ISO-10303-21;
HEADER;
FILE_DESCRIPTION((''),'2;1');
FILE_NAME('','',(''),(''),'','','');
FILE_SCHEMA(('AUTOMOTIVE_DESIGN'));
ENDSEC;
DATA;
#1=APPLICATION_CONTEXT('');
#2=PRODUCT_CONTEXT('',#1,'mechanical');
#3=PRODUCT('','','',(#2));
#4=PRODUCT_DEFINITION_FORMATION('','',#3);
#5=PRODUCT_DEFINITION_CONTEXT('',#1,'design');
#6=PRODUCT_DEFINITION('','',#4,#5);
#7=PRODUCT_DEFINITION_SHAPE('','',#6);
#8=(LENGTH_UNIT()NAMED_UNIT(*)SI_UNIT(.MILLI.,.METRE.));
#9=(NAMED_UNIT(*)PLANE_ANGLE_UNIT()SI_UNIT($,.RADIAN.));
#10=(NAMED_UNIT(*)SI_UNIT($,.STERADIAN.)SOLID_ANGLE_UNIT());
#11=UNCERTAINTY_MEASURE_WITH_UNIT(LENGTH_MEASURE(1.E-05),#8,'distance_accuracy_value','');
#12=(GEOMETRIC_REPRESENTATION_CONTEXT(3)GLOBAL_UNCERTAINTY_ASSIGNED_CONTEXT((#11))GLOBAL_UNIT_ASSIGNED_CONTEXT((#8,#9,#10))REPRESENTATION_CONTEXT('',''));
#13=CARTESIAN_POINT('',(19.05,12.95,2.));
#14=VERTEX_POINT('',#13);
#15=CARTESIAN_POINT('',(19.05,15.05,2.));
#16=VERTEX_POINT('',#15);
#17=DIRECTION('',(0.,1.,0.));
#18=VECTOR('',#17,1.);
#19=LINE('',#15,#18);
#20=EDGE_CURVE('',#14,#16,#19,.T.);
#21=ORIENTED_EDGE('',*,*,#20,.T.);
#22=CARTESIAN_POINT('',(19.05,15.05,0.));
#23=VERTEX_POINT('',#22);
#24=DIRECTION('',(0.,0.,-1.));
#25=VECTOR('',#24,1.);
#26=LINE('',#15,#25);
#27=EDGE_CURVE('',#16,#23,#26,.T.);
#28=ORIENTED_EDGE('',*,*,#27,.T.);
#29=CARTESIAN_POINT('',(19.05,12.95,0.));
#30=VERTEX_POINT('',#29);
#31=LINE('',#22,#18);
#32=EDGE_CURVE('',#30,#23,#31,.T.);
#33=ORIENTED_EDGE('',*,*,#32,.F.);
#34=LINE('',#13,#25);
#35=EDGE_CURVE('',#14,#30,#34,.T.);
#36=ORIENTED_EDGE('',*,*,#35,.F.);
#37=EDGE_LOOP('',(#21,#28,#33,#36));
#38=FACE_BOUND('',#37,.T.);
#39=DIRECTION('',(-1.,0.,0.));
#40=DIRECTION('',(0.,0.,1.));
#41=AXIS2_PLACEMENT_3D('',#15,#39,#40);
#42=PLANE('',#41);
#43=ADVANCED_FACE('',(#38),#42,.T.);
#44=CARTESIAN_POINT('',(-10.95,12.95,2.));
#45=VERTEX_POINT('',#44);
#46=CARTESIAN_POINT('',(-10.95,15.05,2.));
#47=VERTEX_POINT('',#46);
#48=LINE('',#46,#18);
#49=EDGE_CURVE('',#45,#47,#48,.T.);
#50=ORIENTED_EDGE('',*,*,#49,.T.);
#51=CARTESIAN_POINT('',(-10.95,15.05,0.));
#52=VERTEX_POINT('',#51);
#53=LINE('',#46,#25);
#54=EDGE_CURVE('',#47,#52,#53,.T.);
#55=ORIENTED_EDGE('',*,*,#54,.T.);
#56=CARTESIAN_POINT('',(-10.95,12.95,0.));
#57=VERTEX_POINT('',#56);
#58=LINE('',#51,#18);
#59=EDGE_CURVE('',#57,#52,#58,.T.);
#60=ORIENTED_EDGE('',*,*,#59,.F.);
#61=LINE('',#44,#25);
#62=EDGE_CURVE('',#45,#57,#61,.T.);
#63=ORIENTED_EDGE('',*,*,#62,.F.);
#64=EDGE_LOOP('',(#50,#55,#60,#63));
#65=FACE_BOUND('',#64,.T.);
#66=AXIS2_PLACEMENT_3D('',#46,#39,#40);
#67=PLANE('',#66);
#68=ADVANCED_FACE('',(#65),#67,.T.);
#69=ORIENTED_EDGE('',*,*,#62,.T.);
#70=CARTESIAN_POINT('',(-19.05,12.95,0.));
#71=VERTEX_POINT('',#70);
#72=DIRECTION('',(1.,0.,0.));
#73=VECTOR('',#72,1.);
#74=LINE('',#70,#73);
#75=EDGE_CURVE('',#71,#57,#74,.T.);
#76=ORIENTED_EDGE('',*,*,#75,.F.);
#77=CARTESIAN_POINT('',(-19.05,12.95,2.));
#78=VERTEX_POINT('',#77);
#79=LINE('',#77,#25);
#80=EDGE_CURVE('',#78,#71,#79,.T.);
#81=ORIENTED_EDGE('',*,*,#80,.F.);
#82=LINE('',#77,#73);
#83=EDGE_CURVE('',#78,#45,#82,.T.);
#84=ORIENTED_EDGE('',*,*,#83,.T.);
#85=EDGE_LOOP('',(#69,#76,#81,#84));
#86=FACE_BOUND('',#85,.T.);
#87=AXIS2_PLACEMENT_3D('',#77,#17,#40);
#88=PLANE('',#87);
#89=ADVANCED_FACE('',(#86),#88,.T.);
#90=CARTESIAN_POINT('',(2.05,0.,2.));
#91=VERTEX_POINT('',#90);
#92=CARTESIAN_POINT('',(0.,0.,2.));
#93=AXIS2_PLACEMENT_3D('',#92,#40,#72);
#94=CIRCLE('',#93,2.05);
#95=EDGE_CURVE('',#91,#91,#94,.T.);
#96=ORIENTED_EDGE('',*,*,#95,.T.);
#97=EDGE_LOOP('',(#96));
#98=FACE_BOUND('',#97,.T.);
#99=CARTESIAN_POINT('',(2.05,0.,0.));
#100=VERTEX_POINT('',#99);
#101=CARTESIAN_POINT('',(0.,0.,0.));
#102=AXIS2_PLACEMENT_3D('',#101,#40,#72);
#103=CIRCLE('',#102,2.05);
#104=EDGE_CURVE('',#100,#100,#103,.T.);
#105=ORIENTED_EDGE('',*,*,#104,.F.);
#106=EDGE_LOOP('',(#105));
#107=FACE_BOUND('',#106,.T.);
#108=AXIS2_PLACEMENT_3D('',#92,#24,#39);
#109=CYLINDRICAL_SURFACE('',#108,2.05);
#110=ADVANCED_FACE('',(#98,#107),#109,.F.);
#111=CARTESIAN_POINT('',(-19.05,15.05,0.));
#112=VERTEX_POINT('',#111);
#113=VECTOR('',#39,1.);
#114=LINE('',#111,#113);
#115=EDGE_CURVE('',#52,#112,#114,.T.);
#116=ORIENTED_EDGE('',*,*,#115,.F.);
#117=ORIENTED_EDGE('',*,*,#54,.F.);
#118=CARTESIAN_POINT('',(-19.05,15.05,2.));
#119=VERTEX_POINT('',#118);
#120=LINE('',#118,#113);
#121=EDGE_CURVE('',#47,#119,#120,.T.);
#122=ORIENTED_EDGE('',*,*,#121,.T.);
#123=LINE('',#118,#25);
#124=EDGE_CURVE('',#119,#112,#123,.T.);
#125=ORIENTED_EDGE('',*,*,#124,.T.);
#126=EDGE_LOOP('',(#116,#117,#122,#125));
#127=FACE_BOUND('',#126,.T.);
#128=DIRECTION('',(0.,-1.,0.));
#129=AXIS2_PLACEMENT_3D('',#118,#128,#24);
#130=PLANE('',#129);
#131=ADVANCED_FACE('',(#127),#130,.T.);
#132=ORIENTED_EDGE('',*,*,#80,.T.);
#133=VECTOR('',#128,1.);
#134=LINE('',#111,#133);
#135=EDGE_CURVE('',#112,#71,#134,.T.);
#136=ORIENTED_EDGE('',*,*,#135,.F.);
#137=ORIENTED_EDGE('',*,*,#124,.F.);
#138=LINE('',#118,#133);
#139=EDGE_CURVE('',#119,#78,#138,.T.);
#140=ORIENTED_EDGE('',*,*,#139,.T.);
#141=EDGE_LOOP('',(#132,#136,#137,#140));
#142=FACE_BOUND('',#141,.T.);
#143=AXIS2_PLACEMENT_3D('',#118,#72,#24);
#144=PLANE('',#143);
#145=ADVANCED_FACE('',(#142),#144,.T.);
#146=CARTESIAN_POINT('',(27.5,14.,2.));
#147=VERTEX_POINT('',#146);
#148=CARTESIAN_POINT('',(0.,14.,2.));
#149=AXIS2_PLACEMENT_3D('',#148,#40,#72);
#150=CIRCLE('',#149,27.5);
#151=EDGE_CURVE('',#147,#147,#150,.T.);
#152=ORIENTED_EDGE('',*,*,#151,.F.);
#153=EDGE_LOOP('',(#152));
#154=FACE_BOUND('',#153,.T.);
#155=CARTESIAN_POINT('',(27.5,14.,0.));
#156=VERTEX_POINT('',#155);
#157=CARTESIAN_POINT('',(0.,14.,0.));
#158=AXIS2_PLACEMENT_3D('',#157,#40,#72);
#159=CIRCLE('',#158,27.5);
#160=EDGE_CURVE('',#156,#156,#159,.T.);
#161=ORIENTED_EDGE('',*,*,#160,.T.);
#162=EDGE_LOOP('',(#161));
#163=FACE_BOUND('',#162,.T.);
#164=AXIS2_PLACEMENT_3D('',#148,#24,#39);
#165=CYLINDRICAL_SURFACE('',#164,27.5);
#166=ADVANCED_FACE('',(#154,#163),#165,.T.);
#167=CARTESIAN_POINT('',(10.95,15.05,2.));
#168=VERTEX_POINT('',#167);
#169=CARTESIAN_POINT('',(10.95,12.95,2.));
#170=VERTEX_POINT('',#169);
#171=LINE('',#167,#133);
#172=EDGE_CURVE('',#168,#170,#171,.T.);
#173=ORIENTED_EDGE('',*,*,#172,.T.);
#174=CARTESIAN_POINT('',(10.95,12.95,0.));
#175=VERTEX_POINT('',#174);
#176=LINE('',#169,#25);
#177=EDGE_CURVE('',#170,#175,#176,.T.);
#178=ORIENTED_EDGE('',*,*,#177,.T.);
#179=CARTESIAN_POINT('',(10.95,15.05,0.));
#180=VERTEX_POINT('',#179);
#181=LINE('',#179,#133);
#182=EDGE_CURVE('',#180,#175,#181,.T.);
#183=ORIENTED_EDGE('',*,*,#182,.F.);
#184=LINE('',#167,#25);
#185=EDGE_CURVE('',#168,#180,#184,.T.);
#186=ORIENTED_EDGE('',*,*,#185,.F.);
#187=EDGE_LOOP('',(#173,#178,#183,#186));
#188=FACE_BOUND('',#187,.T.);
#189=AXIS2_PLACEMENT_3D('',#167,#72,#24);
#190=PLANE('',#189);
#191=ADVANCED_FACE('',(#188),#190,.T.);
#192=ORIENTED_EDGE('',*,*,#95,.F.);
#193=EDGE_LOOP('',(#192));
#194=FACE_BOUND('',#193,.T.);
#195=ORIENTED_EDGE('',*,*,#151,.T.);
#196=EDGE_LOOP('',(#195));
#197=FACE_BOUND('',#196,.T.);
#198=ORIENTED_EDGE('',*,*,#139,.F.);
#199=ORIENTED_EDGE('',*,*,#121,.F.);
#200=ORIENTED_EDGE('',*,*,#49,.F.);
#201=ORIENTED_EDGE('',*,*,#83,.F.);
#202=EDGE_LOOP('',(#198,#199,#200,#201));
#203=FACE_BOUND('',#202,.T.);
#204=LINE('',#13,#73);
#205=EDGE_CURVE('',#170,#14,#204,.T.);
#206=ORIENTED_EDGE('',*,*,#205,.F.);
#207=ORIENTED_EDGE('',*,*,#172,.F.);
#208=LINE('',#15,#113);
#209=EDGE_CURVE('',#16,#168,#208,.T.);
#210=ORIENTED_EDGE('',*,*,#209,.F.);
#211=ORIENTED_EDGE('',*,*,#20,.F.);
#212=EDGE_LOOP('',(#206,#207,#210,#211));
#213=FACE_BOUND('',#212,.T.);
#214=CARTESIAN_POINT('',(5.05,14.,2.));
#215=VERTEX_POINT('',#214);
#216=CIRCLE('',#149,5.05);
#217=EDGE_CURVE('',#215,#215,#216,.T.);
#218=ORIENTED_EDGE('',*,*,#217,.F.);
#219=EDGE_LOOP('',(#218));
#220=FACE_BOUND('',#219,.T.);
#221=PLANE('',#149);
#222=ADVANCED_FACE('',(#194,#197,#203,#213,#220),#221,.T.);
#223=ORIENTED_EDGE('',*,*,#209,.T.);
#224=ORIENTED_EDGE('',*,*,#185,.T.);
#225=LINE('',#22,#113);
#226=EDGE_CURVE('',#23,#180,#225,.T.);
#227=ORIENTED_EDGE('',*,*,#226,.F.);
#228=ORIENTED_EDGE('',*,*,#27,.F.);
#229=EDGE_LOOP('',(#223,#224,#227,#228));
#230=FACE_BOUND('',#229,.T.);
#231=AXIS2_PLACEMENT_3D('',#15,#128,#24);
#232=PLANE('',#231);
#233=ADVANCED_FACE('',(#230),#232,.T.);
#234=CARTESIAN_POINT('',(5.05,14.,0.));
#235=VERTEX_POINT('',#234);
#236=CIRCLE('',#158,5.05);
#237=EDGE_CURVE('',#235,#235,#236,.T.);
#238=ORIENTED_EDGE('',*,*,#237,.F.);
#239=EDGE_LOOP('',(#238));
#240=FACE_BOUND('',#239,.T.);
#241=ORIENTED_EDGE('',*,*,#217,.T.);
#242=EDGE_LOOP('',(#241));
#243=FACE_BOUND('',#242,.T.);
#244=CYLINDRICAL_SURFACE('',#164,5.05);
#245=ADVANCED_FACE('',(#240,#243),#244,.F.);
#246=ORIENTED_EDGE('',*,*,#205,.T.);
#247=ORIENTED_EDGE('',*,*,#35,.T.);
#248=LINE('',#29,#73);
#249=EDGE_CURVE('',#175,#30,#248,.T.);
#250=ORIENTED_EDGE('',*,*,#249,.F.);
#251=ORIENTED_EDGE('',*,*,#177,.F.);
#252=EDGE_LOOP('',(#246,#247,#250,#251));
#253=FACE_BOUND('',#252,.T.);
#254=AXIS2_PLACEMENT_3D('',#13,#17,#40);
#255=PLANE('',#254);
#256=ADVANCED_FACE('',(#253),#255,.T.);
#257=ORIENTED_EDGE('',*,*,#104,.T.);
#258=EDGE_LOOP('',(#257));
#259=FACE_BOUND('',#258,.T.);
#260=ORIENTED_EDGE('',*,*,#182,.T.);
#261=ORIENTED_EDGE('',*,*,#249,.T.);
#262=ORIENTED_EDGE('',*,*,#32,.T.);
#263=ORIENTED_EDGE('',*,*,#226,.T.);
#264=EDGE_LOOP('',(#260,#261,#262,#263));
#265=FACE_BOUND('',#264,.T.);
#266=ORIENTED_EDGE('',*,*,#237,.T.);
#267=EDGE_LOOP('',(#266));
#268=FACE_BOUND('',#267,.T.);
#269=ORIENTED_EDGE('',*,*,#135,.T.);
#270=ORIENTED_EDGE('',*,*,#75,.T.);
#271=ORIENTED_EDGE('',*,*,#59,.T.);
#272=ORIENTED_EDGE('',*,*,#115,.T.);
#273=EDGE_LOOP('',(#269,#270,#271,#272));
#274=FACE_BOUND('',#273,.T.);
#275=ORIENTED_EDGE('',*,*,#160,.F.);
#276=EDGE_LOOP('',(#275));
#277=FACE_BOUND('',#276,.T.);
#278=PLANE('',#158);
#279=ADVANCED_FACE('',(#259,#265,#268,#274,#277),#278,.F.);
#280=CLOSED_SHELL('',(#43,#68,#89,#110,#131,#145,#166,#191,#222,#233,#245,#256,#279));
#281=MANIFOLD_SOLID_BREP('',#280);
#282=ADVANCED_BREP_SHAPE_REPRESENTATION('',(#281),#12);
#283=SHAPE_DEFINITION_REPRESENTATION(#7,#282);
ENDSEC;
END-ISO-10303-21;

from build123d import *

# Parameters (mm, degrees)
SKETCH_1_R      = 27.5
SKETCH_1_R_2    = 2.05
SKETCH_1_R_3    = 5.05
SKETCH_1_W      = 8.1
SKETCH_1_H      = 2.1
EXTRUDE_1_DEPTH = 2


with BuildPart() as part:
    # 草图1 → 凸台-拉伸1 (new body)
    with BuildSketch(Plane.XY):
        with Locations((0, 14)):
            Circle(SKETCH_1_R)
        Circle(SKETCH_1_R_2, mode=Mode.SUBTRACT)
        with Locations((0, 14)):
            Circle(SKETCH_1_R_3, mode=Mode.SUBTRACT)
        with Locations((-15, 14)):
            Rectangle(SKETCH_1_W, SKETCH_1_H, mode=Mode.SUBTRACT)
        with Locations((15, 14)):
            Rectangle(SKETCH_1_W, SKETCH_1_H, mode=Mode.SUBTRACT)
    extrude(amount=EXTRUDE_1_DEPTH)


solid = part.part
